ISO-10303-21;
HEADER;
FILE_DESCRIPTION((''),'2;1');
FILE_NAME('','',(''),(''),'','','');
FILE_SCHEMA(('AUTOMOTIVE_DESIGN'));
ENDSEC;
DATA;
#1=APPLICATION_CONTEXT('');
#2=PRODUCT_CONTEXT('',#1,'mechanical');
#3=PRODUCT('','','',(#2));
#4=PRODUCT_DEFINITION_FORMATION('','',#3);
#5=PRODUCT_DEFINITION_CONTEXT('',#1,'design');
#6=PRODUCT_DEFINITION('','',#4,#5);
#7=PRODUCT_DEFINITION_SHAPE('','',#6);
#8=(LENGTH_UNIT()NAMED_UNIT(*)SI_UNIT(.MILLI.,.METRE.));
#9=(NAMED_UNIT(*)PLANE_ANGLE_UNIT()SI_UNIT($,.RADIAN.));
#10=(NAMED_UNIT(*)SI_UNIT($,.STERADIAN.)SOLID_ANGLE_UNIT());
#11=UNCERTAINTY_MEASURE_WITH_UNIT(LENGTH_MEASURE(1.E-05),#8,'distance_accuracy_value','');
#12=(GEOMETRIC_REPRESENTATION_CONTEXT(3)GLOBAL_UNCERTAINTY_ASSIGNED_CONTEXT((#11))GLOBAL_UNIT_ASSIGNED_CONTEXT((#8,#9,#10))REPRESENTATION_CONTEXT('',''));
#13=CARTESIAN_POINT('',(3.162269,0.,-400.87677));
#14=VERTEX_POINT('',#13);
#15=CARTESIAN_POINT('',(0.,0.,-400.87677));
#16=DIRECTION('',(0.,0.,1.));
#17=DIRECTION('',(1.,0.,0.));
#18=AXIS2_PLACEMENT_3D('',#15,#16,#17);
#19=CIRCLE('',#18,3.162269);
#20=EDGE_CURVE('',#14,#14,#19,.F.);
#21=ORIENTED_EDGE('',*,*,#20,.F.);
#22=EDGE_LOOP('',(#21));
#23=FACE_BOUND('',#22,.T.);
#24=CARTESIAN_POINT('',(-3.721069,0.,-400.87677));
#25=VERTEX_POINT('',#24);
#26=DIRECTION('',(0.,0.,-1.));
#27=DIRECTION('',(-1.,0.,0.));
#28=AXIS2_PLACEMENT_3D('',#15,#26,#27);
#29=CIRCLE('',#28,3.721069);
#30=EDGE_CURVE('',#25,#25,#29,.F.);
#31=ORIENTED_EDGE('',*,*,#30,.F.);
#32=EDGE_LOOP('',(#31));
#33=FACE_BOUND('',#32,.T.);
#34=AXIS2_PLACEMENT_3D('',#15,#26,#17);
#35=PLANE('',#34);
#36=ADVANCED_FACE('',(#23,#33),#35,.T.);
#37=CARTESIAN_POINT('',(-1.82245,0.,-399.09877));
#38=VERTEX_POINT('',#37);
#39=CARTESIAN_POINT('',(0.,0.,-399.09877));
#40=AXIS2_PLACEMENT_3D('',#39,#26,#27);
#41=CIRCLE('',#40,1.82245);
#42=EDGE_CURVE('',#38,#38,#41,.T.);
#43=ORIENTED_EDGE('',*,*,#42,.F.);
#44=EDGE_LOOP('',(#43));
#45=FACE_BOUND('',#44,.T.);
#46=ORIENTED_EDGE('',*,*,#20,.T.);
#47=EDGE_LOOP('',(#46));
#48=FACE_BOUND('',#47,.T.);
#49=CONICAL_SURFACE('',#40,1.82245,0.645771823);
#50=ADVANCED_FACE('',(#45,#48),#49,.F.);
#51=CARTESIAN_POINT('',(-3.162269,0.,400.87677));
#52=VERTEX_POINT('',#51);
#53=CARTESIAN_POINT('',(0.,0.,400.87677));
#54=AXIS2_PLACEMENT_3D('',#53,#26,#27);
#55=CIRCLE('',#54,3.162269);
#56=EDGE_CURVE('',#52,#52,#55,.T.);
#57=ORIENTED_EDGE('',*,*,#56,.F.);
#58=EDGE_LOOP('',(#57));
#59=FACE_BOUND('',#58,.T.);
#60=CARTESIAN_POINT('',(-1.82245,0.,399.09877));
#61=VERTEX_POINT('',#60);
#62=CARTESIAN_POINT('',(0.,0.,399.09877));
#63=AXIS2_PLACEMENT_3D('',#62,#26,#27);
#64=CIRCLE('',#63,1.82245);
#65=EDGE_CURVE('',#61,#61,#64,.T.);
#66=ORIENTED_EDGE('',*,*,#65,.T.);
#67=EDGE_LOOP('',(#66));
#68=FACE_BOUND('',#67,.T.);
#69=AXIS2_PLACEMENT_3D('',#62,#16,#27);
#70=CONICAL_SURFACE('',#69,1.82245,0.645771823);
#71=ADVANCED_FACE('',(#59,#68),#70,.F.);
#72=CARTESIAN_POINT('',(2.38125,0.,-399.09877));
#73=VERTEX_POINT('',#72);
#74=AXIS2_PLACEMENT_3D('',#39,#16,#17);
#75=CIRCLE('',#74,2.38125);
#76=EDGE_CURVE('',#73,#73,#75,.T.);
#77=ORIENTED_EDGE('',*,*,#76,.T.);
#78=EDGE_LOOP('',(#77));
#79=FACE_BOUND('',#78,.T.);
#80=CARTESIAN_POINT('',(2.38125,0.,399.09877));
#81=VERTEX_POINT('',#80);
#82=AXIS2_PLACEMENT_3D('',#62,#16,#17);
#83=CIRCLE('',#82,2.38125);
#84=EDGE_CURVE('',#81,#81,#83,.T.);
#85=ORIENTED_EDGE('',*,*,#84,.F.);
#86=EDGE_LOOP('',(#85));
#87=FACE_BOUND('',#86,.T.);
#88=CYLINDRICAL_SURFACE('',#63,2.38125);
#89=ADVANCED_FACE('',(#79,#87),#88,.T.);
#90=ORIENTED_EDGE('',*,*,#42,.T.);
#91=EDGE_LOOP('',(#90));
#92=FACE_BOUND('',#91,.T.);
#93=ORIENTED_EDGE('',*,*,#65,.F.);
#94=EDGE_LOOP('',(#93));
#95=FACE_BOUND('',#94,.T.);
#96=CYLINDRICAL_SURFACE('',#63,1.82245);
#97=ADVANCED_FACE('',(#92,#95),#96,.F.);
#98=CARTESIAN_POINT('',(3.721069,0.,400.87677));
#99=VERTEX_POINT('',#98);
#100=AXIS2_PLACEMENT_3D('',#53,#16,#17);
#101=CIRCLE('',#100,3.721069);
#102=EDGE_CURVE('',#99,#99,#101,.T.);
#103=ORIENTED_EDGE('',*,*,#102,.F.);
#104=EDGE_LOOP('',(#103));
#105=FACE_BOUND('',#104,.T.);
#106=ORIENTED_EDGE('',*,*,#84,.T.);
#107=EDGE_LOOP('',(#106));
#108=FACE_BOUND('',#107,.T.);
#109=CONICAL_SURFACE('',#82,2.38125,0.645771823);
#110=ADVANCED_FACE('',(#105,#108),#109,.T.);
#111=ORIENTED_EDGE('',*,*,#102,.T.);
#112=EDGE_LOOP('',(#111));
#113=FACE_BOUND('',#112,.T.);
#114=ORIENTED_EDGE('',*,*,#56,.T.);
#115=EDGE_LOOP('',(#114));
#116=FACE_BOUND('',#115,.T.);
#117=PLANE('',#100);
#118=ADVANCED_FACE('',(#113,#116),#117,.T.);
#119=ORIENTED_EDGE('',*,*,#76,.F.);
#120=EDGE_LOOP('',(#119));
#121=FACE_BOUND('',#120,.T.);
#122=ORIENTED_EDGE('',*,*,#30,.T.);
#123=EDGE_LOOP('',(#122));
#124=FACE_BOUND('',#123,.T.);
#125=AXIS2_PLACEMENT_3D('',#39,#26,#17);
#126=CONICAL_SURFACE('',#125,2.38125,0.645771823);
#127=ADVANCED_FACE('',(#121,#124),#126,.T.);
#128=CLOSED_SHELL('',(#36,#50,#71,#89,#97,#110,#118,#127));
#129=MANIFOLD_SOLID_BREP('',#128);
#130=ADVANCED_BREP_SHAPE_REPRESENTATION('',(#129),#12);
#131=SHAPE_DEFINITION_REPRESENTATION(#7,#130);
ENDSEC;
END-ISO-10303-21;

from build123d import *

# Parameters (mm, degrees)
SKETCH1_R           = 2.38125
SKETCH1_R_2         = 1.82245
BOSS_EXTRUDE1_DEPTH = 399.09877
SKETCH2_R           = 2.38125
BOSS_EXTRUDE2_DEPTH = 1.778
BOSS_EXTRUDE2_TAPER = -37
SKETCH3_R           = 1.82245
CUT_EXTRUDE1_DEPTH  = 2.7780001
CUT_EXTRUDE1_TAPER  = -37


with BuildPart() as part:
    # Sketch1 → Boss-Extrude1 (new body, symmetric)
    with BuildSketch(Plane.XY):
        Circle(SKETCH1_R)
        Circle(SKETCH1_R_2, mode=Mode.SUBTRACT)
    extrude(amount=BOSS_EXTRUDE1_DEPTH, both=True)

    # Sketch2 → Boss-Extrude2 (add)
    with BuildSketch(Plane.XY.offset(399.09877)):
        Circle(SKETCH2_R)
    boss_extrude2 = extrude(amount=BOSS_EXTRUDE2_DEPTH, taper=BOSS_EXTRUDE2_TAPER)

    # Sketch3 → Cut-Extrude1 (cut, through all)
    with BuildSketch(Plane(origin=(0, 0, 399.09877), x_dir=(-1, 0, 0), z_dir=(0, 0, -1))):
        Circle(SKETCH3_R)
    cut_extrude1 = extrude(amount=-CUT_EXTRUDE1_DEPTH, taper=CUT_EXTRUDE1_TAPER, mode=Mode.SUBTRACT)

    # Mirror1: Boss-Extrude2, Cut-Extrude1 across plane
    add(boss_extrude2.mirror(Plane.XY))
    add(cut_extrude1.mirror(Plane.XY), mode=Mode.SUBTRACT)


solid = part.part
